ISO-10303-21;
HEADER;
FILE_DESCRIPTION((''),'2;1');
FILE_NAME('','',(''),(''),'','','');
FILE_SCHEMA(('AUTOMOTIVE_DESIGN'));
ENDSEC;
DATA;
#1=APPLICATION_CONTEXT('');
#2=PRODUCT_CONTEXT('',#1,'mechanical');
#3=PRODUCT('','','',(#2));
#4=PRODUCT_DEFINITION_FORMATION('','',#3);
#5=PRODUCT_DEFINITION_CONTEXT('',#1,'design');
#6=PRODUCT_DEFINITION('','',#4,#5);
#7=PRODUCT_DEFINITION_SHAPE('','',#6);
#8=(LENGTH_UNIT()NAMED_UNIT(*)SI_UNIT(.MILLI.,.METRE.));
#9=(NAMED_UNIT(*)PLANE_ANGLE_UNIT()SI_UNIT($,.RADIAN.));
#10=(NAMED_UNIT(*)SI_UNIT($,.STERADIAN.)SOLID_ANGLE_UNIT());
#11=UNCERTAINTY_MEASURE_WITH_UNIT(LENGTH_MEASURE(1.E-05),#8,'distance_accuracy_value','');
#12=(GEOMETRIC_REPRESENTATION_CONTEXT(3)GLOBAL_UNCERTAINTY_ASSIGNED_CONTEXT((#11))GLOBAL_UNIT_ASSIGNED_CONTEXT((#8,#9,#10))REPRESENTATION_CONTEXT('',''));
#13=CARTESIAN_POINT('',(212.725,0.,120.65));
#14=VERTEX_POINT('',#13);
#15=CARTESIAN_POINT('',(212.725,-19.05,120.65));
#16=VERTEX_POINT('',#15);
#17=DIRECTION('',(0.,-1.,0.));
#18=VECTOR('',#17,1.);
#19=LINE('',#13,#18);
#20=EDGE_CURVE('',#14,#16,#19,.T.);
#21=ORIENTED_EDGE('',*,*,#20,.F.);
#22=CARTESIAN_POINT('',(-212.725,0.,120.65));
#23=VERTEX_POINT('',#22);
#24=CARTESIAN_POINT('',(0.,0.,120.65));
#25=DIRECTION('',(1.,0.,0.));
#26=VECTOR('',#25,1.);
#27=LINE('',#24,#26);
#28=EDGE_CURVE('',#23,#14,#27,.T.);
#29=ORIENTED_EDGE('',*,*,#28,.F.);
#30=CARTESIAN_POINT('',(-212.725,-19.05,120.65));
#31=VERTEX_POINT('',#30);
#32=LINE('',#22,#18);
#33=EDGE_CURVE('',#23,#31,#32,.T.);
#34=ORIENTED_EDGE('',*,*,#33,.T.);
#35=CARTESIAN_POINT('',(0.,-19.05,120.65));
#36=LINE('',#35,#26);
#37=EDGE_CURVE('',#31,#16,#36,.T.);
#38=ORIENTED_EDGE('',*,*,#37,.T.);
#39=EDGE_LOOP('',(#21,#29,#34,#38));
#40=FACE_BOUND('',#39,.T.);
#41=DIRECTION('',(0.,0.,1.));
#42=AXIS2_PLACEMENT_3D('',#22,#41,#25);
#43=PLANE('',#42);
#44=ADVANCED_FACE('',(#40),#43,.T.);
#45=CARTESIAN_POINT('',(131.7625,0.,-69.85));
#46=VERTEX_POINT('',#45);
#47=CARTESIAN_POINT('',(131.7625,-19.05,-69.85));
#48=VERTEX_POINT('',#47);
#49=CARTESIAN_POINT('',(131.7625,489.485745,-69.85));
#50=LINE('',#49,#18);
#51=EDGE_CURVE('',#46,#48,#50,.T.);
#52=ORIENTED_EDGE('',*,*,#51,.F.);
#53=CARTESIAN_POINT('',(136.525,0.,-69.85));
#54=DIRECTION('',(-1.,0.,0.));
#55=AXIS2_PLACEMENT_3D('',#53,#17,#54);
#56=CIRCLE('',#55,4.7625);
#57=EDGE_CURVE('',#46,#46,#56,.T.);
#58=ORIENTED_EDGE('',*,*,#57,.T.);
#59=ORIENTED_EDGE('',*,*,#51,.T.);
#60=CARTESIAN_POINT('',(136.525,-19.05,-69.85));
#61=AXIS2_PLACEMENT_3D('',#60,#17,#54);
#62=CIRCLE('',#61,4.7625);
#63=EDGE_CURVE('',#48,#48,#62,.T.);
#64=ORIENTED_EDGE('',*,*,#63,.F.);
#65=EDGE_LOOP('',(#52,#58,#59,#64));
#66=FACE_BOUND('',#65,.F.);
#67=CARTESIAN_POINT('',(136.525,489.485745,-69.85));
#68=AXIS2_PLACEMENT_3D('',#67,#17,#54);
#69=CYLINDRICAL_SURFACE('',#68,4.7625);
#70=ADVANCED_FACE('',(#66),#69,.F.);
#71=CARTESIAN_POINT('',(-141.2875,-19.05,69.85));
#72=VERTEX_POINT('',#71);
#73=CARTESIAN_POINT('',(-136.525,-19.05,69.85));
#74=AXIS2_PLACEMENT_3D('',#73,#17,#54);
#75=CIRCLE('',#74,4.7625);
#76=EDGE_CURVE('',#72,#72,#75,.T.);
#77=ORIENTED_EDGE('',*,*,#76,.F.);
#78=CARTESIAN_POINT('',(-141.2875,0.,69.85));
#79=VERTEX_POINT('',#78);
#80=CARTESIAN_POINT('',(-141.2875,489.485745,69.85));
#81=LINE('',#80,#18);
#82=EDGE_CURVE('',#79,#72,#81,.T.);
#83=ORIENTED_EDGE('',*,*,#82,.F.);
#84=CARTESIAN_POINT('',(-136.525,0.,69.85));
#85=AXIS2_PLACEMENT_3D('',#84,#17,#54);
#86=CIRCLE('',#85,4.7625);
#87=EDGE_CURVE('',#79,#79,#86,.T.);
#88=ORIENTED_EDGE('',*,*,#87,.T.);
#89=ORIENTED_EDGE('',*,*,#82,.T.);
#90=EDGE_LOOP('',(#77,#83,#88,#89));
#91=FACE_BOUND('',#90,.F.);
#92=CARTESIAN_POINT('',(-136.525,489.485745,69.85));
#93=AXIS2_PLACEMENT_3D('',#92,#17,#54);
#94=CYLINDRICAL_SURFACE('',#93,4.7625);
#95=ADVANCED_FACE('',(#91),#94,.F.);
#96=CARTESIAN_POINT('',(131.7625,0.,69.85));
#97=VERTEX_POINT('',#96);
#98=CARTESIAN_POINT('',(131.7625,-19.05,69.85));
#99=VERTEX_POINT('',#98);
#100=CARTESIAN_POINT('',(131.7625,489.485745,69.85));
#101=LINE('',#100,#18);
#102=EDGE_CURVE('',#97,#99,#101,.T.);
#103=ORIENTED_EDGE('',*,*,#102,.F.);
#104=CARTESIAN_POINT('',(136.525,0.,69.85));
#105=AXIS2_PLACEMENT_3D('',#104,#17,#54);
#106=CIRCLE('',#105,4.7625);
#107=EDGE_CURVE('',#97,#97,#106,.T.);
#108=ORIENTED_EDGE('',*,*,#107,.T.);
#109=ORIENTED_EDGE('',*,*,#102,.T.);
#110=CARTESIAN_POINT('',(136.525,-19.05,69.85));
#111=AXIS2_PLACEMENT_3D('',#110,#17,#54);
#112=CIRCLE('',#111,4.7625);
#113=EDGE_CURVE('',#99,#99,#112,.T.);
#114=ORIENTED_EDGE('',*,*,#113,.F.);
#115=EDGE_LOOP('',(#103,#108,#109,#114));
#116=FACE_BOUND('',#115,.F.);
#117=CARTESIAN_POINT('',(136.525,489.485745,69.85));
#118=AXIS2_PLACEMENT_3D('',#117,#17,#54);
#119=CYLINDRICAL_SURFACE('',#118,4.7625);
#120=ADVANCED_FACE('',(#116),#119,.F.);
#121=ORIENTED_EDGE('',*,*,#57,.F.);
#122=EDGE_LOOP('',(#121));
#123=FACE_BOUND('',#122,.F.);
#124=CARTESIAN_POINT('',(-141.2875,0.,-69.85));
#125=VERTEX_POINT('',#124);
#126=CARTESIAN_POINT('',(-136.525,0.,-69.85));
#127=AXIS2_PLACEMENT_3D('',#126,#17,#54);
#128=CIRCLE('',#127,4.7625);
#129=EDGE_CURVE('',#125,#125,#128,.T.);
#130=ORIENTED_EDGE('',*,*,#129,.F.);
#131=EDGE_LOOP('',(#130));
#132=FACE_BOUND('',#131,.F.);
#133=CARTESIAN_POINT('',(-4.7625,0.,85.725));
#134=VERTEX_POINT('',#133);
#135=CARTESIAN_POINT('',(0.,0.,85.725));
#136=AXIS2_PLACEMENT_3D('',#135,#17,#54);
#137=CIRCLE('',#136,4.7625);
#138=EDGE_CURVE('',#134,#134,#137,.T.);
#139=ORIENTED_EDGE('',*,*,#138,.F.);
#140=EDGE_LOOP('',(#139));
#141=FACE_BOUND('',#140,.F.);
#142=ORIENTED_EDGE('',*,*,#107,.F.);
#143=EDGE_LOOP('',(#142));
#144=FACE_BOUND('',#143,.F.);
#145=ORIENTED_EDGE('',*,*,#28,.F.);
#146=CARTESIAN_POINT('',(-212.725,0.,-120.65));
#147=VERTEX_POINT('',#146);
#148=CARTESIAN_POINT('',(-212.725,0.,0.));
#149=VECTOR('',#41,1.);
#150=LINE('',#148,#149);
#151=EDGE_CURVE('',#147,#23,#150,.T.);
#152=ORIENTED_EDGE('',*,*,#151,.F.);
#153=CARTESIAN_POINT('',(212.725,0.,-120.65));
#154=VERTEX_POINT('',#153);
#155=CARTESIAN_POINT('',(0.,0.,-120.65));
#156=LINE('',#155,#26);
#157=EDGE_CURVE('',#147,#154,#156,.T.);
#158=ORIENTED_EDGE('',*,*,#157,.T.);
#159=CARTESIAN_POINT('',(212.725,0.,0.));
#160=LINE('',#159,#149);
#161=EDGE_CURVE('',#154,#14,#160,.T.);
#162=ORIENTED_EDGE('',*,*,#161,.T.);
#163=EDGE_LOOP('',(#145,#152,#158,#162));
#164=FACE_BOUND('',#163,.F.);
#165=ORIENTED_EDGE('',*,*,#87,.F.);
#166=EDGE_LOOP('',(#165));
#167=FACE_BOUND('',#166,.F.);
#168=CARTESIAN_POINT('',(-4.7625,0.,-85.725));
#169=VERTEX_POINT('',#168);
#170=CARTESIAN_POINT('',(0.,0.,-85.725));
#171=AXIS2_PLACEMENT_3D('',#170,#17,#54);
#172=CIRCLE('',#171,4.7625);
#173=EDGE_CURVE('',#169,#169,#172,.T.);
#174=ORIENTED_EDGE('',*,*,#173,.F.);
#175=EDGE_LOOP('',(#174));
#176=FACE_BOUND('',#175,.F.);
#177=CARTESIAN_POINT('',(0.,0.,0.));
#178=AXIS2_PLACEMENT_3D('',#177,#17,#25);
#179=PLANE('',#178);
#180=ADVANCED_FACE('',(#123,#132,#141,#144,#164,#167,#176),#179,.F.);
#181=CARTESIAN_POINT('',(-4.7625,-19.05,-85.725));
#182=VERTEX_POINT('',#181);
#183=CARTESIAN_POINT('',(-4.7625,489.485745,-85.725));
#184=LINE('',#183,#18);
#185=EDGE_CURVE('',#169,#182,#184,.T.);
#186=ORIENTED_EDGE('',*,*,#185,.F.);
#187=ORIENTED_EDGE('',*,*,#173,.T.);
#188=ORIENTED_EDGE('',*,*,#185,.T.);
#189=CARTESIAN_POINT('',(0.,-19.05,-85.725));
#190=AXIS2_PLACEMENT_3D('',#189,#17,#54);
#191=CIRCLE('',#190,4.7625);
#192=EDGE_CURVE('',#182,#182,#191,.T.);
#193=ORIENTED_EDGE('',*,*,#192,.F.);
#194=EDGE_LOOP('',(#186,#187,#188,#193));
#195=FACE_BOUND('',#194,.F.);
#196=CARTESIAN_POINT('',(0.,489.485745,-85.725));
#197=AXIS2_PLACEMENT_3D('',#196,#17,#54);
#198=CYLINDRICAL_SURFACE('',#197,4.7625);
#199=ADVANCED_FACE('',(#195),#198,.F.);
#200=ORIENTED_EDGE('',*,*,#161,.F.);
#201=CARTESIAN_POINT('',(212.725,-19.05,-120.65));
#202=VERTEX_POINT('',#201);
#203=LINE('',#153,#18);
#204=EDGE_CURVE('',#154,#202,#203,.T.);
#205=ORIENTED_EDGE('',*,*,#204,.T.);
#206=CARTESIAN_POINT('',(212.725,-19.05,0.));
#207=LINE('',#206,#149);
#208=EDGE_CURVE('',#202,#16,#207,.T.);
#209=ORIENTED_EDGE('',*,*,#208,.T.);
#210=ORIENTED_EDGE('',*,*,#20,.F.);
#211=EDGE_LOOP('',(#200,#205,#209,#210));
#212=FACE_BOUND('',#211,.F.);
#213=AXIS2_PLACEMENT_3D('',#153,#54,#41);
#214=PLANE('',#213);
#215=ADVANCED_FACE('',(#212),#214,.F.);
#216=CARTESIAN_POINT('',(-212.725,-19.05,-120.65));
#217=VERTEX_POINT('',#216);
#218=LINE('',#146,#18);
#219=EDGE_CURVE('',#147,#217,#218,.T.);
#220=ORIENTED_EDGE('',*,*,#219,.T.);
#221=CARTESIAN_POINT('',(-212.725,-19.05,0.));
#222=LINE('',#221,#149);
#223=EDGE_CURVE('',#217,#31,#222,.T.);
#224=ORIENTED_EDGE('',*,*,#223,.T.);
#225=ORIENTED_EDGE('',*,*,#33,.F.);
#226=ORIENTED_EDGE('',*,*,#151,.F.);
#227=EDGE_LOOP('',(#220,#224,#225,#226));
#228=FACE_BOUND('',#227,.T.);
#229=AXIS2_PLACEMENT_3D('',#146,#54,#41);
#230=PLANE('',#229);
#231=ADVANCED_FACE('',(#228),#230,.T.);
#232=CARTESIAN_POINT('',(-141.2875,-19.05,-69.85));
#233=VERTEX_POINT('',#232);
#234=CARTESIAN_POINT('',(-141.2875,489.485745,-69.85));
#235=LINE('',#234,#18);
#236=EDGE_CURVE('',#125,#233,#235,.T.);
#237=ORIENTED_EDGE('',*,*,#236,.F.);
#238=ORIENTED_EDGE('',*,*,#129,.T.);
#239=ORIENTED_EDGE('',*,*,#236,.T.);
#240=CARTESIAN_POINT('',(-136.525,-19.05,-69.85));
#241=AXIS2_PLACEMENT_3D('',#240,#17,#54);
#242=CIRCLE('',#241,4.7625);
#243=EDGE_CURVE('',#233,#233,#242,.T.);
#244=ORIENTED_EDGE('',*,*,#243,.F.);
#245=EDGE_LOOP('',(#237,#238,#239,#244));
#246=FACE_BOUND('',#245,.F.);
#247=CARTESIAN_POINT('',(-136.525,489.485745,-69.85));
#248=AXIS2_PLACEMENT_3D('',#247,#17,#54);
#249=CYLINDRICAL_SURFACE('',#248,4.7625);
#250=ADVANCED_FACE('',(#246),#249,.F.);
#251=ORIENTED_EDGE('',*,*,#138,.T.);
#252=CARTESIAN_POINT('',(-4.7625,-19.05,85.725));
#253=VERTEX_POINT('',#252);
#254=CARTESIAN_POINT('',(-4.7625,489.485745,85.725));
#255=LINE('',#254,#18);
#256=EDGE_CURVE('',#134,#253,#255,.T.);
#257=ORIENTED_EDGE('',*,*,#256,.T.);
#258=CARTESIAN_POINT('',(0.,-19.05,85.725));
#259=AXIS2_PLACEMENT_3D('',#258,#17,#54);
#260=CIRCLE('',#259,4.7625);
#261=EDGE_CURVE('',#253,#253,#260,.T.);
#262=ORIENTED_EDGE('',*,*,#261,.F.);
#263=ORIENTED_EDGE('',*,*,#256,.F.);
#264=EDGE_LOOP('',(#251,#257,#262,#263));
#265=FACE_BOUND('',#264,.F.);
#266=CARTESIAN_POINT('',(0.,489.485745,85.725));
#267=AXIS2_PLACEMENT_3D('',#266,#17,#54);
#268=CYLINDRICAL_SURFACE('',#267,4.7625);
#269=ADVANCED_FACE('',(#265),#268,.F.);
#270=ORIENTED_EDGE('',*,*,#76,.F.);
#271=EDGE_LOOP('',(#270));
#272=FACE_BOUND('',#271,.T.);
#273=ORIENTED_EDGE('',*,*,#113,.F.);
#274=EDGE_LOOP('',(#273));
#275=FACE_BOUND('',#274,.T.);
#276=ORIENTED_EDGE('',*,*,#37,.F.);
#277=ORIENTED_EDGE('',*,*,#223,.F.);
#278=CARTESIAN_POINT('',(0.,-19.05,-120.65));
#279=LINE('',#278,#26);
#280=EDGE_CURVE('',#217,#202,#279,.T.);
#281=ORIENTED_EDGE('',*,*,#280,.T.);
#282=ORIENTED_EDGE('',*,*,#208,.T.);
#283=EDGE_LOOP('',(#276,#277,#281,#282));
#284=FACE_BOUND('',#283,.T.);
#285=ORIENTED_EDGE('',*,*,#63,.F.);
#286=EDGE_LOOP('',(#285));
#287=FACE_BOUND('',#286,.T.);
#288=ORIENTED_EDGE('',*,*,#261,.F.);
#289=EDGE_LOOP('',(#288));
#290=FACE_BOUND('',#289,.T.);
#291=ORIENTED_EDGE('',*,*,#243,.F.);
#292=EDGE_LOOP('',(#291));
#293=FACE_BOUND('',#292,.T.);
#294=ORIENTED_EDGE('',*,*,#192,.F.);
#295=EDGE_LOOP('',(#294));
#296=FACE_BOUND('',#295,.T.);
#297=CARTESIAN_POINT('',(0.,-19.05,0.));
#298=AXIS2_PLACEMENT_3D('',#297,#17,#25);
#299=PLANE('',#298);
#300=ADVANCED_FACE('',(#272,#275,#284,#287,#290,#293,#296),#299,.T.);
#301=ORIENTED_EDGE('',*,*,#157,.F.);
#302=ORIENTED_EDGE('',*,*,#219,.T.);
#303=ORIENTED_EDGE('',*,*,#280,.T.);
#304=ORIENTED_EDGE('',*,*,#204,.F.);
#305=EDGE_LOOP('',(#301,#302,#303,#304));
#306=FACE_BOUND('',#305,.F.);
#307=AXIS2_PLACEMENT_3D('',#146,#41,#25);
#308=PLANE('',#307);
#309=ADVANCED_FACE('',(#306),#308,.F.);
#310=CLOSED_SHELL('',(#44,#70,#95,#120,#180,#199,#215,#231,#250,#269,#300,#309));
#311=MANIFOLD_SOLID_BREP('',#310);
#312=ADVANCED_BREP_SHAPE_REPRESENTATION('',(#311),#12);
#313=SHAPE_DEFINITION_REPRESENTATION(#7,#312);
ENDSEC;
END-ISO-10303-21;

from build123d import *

# Parameters (mm, degrees)
F0_W     = 425.45
F0_H     = 241.3
F1_DEPTH = 19.05
F2_D     = 9.525
F3_D     = 9.525
F4_D     = 9.525
F5_D     = 9.525
F6_D     = 9.525
F7_D     = 9.525


with BuildPart() as f1:
    # F0 (on Front) → F1 (new body)
    with BuildSketch(Plane.XZ):
        Rectangle(F0_W, F0_H)
    extrude(amount=F1_DEPTH)

    # F2 (through all)
    with Locations(Plane(origin=(0, 0, 0), x_dir=(1, 0, 0), z_dir=(0, 1, 0))):
        with Locations((136.525, 69.85)):
            Hole(F2_D / 2)

    # F3 (through all)
    with Locations(Plane(origin=(0, 0, 0), x_dir=(1, 0, 0), z_dir=(0, 1, 0))):
        with Locations((136.525, -69.85)):
            Hole(F3_D / 2)

    # F4 (through all)
    with Locations(Plane(origin=(0, 0, 0), x_dir=(1, 0, 0), z_dir=(0, 1, 0))):
        with Locations((-136.525, 69.85)):
            Hole(F4_D / 2)

    # F5 (through all)
    with Locations(Plane(origin=(0, 0, 0), x_dir=(1, 0, 0), z_dir=(0, 1, 0))):
        with Locations((-136.525, -69.85)):
            Hole(F5_D / 2)

    # F6 (through all)
    with Locations(Plane(origin=(0, 0, 0), x_dir=(1, 0, 0), z_dir=(0, 1, 0))):
        with Locations((0, 85.725)):
            Hole(F6_D / 2)

    # F7 (through all)
    with Locations(Plane(origin=(0, 0, 0), x_dir=(1, 0, 0), z_dir=(0, 1, 0))):
        with Locations((0, -85.725)):
            Hole(F7_D / 2)


solid = f1.part
